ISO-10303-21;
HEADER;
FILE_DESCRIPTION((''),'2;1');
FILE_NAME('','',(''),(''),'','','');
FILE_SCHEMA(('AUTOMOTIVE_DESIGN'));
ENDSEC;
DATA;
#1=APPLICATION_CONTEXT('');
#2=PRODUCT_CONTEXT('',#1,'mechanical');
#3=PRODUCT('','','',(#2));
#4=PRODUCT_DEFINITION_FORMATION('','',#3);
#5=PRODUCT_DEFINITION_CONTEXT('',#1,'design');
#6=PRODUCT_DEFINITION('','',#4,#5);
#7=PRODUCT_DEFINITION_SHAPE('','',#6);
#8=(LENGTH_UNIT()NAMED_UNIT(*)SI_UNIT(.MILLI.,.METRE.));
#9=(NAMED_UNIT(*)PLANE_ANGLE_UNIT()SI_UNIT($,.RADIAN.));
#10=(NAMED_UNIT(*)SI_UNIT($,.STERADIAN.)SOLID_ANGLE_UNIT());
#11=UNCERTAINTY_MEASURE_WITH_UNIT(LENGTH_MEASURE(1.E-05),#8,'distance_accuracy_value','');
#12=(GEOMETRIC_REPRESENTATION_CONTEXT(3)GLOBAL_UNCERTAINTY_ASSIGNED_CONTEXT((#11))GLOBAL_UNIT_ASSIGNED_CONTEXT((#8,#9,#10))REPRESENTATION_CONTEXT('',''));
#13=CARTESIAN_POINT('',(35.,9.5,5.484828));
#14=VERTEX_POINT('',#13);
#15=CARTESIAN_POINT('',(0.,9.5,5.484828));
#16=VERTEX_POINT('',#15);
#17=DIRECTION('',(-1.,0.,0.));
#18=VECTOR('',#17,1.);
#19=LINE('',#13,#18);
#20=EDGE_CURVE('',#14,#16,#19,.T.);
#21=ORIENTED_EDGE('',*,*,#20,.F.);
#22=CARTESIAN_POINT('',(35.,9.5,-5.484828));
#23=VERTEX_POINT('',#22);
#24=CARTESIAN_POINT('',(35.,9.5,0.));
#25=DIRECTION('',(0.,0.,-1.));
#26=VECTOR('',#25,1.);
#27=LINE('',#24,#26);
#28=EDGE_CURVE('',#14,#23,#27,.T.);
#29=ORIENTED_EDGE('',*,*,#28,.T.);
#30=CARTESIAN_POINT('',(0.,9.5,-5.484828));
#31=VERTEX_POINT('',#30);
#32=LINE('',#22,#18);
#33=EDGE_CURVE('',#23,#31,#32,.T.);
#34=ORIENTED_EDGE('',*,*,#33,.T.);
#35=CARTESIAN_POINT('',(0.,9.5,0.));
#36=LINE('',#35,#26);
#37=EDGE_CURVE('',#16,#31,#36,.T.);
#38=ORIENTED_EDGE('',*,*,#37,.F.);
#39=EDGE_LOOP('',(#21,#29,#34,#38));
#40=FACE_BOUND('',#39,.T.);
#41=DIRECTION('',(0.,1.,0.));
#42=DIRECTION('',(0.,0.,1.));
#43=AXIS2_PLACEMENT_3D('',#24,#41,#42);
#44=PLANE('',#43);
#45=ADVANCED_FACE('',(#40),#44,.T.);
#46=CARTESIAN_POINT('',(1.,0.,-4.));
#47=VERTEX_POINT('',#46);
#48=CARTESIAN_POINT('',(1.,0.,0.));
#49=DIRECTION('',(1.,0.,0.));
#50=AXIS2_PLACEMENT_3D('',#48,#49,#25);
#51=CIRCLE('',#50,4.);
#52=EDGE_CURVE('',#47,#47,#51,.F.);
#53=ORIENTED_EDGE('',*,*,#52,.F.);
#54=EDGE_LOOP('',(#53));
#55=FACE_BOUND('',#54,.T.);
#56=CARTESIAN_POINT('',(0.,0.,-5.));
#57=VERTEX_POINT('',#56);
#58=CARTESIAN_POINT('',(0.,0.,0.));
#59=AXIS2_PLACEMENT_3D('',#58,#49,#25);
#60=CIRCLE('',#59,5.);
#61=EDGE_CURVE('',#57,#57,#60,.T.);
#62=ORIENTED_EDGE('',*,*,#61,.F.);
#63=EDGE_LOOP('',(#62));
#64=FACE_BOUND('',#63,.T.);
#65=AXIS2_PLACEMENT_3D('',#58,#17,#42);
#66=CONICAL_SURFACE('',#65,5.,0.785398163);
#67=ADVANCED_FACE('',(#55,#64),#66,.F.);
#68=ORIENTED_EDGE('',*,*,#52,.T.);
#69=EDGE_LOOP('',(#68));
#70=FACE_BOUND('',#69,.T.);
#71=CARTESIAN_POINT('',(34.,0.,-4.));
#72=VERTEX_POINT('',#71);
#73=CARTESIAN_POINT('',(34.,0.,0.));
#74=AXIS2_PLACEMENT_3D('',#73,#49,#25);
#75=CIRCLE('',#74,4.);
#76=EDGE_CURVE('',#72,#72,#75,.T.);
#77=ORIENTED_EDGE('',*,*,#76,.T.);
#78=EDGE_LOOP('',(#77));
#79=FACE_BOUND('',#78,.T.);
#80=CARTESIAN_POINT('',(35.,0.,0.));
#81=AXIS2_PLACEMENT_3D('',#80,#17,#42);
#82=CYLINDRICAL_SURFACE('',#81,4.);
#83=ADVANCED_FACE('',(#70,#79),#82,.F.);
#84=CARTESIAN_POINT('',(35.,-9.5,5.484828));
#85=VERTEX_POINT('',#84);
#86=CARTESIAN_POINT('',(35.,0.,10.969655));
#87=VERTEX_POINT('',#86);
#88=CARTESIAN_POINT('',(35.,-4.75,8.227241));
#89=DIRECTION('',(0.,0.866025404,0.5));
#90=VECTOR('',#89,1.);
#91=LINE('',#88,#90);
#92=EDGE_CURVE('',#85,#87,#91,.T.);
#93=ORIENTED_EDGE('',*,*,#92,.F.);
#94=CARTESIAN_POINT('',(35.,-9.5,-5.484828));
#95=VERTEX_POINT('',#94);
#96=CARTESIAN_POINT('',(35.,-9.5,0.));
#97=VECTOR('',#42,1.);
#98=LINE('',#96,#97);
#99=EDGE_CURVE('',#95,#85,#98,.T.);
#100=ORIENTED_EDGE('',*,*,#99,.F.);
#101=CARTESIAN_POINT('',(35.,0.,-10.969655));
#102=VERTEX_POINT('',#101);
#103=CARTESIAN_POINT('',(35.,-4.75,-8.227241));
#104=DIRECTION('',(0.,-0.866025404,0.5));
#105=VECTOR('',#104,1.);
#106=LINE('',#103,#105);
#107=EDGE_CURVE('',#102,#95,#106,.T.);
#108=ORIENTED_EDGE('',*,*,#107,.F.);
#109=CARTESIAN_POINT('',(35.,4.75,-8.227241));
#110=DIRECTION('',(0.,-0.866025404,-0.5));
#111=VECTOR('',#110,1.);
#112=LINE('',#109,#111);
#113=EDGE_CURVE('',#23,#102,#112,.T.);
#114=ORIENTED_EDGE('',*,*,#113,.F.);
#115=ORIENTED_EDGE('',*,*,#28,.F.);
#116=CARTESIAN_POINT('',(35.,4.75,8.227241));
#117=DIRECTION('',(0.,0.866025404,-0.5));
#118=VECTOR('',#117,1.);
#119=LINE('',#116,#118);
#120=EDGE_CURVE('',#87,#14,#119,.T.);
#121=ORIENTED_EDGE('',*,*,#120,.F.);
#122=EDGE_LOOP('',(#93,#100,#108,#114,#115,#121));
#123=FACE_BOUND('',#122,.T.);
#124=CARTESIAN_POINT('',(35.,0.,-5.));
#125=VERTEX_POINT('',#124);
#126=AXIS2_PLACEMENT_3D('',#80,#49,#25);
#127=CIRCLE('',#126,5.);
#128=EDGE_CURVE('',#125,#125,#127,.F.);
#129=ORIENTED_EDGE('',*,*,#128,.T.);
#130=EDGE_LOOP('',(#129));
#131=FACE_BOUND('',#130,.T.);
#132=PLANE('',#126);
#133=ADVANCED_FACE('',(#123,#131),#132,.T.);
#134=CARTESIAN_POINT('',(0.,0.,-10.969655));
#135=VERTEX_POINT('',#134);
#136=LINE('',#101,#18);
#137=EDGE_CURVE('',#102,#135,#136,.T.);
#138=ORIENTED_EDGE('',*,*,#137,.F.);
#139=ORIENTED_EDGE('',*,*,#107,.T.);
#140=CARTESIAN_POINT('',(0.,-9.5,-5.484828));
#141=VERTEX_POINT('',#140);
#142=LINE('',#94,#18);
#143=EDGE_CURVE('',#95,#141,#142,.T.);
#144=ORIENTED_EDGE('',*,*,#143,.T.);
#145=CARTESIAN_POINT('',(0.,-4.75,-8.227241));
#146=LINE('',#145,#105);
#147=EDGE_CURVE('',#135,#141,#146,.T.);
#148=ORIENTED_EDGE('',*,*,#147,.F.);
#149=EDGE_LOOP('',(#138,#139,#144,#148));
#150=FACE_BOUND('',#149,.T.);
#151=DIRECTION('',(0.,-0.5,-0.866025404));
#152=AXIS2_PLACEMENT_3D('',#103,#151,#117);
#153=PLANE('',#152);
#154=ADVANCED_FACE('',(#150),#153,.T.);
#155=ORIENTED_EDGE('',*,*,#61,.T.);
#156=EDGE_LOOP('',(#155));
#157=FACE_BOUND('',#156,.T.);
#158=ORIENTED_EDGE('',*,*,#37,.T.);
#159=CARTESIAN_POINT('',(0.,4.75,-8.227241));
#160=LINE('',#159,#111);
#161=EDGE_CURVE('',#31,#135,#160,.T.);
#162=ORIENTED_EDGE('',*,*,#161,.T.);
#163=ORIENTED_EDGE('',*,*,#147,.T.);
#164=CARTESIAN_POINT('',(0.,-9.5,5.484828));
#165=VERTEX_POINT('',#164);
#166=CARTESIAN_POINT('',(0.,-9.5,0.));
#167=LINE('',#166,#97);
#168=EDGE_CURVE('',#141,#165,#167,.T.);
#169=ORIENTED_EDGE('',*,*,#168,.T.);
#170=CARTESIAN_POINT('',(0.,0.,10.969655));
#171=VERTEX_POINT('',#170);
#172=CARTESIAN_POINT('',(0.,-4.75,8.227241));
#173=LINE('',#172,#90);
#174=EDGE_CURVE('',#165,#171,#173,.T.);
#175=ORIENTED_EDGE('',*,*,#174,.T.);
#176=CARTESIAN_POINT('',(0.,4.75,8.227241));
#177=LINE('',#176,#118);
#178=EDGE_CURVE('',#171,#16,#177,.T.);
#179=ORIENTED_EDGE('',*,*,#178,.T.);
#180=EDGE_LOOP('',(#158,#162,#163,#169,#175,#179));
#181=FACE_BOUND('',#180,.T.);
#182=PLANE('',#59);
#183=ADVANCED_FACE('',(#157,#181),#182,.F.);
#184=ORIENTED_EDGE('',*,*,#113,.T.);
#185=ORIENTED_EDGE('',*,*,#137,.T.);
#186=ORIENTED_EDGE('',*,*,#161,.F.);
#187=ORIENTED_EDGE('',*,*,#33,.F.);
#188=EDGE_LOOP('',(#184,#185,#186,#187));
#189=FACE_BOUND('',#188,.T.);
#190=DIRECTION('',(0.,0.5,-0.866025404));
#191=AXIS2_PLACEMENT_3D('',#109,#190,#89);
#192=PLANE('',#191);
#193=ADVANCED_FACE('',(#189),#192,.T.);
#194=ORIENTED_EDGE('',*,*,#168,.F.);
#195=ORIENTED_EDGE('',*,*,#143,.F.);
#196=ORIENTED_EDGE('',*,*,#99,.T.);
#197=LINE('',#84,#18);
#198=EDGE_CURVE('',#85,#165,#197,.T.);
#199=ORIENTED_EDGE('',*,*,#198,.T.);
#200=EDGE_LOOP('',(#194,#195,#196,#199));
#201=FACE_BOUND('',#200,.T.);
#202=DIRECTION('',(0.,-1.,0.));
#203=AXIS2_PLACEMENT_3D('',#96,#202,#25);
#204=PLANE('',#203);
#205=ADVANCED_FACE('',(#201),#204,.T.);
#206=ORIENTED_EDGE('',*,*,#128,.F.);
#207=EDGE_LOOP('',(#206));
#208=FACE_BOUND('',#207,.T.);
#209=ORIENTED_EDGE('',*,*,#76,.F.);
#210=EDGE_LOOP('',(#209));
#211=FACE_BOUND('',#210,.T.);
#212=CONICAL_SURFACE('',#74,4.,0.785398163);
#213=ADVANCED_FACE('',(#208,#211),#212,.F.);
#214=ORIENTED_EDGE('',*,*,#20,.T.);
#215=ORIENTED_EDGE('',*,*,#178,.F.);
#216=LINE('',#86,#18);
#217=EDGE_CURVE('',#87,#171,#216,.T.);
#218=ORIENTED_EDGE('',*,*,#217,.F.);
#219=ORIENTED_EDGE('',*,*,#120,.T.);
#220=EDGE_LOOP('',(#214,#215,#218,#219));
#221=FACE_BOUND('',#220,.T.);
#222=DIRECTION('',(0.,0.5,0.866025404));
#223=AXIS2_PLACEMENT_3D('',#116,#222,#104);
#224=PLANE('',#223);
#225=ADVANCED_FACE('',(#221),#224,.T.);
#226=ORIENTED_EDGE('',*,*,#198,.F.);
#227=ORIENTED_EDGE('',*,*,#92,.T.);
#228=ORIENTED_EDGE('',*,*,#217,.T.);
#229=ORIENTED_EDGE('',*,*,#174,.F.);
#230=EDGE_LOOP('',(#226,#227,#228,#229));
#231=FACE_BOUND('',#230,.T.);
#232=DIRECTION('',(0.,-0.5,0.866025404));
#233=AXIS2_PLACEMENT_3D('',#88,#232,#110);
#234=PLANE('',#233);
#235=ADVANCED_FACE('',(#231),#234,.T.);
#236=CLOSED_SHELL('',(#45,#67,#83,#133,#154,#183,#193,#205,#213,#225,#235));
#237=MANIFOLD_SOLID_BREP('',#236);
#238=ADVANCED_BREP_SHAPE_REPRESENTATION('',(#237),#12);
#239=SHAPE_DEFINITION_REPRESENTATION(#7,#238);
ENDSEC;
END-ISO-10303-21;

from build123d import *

# Parameters (mm, degrees)
SKETCH_2_R      = 4
EXTRUDE_1_DEPTH = 35
CHAMFER_1_SIZE  = 1


with BuildPart() as part:
    # Эскиз2 → Бобышка-Вытянуть1 (new body)
    with BuildSketch(Plane(origin=(0, 0, 0), x_dir=(0, 0, -1), z_dir=(1, 0, 0))):
        Polygon((-10.969655115, 0), (-5.484827557, 9.5), (5.484827557, 9.5), (10.969655115, 0), (5.484827557, -9.5), (-5.484827557, -9.5), align=None)
        Circle(SKETCH_2_R, mode=Mode.SUBTRACT)
    extrude(amount=EXTRUDE_1_DEPTH)

    # Фаска1
    chamfer_1_edges = [part.edges().sort_by_distance(p)[0] for p in [
        (0, 0, 4),
        (35, 0, 4),
    ]]
    chamfer(chamfer_1_edges, length=CHAMFER_1_SIZE)


solid = part.part
